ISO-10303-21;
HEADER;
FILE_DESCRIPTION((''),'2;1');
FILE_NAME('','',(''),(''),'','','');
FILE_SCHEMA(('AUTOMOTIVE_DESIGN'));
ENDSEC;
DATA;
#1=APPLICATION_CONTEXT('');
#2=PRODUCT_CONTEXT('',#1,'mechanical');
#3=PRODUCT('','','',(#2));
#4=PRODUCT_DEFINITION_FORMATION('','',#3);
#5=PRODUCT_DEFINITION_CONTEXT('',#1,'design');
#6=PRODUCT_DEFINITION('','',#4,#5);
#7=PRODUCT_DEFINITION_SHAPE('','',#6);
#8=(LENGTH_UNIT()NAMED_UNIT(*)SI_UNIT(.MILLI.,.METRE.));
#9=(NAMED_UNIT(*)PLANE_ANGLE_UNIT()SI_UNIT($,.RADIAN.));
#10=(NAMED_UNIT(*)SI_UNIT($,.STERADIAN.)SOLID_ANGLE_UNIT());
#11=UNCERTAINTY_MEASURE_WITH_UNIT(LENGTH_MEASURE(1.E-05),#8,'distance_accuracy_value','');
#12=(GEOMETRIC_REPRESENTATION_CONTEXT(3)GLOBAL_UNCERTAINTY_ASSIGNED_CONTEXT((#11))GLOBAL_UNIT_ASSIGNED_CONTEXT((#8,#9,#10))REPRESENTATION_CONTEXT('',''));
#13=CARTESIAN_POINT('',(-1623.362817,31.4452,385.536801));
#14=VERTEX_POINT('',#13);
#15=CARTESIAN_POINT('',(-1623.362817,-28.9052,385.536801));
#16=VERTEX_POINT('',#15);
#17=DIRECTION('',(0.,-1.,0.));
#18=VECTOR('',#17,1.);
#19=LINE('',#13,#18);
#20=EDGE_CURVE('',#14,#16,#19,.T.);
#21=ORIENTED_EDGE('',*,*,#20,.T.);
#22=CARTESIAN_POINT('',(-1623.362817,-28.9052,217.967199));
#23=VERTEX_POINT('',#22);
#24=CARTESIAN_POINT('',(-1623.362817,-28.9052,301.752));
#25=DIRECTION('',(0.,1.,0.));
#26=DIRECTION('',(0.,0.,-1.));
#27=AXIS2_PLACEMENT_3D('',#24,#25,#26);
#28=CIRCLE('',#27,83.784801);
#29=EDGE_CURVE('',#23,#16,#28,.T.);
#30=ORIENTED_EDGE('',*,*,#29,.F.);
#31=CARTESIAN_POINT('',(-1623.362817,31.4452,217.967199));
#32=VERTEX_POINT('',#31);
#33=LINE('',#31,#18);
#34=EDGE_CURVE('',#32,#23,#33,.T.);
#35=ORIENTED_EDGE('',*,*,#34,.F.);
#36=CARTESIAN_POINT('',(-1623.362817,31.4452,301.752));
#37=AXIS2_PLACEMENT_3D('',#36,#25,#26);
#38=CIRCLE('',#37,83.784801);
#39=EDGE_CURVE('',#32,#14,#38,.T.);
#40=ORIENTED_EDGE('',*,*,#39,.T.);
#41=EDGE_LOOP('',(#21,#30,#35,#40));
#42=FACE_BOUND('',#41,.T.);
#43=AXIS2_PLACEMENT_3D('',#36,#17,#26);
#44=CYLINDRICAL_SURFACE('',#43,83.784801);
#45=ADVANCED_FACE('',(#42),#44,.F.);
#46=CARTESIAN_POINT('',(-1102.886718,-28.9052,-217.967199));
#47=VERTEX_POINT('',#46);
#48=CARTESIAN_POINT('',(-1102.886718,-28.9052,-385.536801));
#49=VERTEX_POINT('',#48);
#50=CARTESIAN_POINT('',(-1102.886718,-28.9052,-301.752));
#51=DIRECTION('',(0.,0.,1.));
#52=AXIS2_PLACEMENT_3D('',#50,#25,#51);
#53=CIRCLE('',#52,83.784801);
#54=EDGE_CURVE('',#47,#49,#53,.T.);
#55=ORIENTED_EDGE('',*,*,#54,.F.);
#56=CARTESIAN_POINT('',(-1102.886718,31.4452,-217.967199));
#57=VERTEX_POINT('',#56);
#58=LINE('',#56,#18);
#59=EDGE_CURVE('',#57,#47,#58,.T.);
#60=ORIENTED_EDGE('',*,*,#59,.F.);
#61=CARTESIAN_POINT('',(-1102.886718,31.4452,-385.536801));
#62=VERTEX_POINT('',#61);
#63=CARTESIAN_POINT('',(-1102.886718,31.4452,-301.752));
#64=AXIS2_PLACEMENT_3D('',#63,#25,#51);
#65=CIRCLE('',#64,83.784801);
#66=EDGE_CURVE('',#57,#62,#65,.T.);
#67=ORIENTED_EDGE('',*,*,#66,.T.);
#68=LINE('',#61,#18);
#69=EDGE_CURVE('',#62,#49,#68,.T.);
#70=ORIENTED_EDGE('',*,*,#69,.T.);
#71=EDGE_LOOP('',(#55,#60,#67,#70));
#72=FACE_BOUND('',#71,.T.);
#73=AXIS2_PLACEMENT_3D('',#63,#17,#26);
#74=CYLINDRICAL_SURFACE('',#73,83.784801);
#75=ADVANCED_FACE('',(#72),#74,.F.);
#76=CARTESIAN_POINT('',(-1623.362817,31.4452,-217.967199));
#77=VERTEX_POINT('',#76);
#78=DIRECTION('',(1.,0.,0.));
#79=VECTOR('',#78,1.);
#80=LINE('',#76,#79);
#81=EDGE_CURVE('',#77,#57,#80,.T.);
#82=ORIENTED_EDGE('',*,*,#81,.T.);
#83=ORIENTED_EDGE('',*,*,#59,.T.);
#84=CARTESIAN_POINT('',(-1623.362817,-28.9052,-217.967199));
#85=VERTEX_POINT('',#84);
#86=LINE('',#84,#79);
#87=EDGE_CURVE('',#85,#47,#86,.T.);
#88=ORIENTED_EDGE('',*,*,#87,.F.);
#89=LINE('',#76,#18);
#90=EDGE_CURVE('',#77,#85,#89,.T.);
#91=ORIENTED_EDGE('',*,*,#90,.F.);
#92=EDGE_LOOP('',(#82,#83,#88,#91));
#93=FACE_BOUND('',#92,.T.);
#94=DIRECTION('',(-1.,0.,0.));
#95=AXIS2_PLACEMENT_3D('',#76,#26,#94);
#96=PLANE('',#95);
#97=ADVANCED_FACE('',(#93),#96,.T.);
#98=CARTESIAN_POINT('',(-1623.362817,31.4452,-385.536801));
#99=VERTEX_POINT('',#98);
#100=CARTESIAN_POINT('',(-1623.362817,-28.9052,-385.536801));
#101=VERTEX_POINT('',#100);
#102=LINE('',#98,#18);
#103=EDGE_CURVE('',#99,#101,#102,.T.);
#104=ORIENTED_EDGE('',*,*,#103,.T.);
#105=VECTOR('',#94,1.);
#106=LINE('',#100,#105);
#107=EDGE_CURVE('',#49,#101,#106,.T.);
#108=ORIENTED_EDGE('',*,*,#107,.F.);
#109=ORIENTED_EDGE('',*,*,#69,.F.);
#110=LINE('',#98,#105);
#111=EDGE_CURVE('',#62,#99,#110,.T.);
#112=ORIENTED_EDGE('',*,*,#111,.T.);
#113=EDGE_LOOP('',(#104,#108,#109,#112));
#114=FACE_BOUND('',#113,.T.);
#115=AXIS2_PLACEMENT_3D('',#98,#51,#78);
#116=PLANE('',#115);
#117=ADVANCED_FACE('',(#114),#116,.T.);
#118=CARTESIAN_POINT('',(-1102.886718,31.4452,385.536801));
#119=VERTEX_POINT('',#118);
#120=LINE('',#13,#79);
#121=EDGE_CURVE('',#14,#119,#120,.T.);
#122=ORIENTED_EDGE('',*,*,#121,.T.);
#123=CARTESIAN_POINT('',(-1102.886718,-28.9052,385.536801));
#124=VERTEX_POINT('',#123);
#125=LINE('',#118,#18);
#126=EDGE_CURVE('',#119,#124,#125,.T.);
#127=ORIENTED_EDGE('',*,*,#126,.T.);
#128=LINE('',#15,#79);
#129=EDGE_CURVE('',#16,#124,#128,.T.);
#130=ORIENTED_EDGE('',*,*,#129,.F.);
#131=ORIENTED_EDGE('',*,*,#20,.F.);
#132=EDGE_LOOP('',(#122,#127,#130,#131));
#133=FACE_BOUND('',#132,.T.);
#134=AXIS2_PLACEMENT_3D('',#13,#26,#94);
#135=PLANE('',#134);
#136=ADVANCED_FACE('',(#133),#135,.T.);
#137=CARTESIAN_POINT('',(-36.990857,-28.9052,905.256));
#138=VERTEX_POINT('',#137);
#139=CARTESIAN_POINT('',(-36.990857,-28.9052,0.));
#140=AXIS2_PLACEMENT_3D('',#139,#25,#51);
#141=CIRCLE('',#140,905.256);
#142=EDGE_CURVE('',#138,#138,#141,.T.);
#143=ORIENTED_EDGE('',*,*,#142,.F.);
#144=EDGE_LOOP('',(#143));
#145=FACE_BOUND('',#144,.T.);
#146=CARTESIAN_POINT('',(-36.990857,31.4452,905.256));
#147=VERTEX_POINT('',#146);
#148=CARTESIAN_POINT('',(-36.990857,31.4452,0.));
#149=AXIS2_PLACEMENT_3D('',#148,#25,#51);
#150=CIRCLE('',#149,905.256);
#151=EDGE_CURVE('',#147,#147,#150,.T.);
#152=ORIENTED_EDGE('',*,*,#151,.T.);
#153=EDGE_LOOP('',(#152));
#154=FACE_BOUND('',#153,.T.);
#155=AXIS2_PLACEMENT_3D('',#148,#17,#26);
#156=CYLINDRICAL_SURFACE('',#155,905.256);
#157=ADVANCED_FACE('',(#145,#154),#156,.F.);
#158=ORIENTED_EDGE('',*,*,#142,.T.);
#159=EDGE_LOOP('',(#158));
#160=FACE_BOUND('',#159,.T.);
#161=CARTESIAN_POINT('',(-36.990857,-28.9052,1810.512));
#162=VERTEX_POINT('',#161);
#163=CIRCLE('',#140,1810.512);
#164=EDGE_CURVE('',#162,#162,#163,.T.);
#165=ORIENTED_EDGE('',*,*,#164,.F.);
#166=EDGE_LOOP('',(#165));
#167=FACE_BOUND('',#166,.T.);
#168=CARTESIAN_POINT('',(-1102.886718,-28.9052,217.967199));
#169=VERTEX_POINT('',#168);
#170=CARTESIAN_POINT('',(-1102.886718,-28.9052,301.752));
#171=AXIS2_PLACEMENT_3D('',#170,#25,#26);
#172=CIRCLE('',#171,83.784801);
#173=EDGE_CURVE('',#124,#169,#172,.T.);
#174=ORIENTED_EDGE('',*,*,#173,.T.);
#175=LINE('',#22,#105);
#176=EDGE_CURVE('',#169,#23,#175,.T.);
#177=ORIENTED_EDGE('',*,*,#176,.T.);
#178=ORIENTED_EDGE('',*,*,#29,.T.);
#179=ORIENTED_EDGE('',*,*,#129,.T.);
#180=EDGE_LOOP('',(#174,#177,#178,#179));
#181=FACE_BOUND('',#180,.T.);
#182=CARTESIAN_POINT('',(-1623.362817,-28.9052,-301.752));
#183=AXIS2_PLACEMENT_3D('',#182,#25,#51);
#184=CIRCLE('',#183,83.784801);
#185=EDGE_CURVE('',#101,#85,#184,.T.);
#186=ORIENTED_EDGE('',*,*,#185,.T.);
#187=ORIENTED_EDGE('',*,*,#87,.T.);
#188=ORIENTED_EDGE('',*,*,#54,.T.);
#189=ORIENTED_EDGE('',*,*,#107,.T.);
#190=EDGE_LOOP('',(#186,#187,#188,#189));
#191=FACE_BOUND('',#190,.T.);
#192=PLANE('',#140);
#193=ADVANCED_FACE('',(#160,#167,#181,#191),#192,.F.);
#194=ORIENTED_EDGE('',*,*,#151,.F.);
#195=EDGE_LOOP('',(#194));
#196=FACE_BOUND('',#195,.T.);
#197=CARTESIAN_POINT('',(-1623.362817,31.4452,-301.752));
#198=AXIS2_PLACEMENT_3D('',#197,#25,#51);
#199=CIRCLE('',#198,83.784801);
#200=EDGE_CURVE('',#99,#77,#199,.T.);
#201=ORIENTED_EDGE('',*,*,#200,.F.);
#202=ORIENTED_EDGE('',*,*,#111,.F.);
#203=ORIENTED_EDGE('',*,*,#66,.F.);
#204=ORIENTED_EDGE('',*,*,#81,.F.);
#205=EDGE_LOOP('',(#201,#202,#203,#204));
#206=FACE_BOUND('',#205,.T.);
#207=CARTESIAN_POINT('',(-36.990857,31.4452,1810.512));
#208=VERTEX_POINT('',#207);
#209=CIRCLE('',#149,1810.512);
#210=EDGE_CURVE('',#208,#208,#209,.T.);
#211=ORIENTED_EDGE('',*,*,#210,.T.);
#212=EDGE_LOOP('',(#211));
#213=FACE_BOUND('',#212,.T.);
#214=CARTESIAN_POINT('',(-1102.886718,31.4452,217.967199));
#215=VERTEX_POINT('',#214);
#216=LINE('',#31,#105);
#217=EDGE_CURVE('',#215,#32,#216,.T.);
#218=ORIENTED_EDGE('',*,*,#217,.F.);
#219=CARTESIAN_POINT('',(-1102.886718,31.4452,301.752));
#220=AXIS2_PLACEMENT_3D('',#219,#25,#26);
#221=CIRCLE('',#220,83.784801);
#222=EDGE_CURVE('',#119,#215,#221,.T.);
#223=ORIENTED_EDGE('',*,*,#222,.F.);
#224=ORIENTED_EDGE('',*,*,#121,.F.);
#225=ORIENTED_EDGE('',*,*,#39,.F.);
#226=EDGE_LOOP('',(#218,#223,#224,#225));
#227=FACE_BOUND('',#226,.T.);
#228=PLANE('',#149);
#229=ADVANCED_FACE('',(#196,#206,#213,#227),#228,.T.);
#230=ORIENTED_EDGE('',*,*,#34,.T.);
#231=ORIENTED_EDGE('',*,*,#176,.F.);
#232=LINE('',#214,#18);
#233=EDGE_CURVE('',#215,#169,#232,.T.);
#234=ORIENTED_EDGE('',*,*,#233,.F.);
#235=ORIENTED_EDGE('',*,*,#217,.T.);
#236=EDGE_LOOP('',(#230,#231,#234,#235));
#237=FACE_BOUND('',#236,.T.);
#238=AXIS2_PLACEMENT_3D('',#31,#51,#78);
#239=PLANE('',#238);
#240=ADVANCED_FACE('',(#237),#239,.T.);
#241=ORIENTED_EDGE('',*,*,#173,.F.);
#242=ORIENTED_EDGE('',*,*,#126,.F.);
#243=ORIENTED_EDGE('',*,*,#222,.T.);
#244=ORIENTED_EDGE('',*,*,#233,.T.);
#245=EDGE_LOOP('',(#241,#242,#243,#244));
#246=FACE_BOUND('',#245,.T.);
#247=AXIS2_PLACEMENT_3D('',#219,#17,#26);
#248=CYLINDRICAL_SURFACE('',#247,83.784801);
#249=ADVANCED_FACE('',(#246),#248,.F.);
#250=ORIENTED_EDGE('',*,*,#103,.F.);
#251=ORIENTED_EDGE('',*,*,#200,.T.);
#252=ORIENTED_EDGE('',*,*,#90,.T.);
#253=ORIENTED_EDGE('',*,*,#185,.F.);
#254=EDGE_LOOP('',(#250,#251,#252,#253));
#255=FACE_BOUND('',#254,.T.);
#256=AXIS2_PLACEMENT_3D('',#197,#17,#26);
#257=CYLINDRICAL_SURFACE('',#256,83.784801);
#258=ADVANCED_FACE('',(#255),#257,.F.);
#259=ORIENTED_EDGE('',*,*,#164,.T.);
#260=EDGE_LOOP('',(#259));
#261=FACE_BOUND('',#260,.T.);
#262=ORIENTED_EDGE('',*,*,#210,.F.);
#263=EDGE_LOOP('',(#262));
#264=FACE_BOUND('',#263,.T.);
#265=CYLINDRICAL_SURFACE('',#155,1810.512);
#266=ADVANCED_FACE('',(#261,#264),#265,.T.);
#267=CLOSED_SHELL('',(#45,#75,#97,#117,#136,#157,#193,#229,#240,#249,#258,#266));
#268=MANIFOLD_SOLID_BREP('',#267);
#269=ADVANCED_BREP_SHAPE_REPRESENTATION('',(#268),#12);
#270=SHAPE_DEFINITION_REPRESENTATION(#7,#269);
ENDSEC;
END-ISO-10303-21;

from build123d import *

# Parameters (mm, degrees)
SKETCH1_R           = 76.2
SKETCH1_R_2         = 38.1
BOSS_EXTRUDE1_DEPTH = 2.54
SCALE1_SCALE        = 3
SCALE2_SCALE        = 3
SCALE3_SCALE        = 3
SCALE4_SCALE        = 0.88


with BuildPart() as part:
    # Sketch1 → Boss-Extrude1 (new body)
    with BuildSketch(Plane(origin=(0, 0, 0), x_dir=(1, 0, 0), z_dir=(0, 1, 0))):
        with Locations(Location((0, 0, 0), (0, 0, 270))):
            Circle(SKETCH1_R)
        with Locations(Location((0, 0, 0), (0, 0, 270))):
            Circle(SKETCH1_R_2, mode=Mode.SUBTRACT)
        with BuildLine():
            Line((-66.766496625, 16.226296333), (-44.86093692, 16.226296333))
            ThreePointArc((-44.86093692, 16.226296333), (-41.334640587, 12.7), (-44.86093692, 9.173703667))
            Line((-44.86093692, 9.173703667), (-66.766496625, 9.173703667))
            ThreePointArc((-66.766496625, 9.173703667), (-70.292792958, 12.7), (-66.766496625, 16.226296333))
        make_face(mode=Mode.SUBTRACT)
        with BuildLine():
            Line((-66.766496625, -16.226296333), (-44.86093692, -16.226296333))
            ThreePointArc((-44.86093692, -16.226296333), (-41.334640587, -12.7), (-44.86093692, -9.173703667))
            Line((-44.86093692, -9.173703667), (-66.766496625, -9.173703667))
            ThreePointArc((-66.766496625, -9.173703667), (-70.292792958, -12.7), (-66.766496625, -16.226296333))
        make_face(mode=Mode.SUBTRACT)
    extrude(amount=BOSS_EXTRUDE1_DEPTH)


with BuildPart() as part_1:
    # Scale1: scaled about (1.625257345, 1.27, 0)
    add(part.part.scale(SCALE1_SCALE).moved(Location((-3.25051469, -2.54, 0))))


with BuildPart() as part_2:
    # Scale2: scaled about (1.625257344, 1.27, 0)
    add(part_1.part.scale(SCALE2_SCALE).moved(Location((-3.250514688, -2.54, 0))))


with BuildPart() as part_3:
    # Scale3: scaled about (1.625257343, 1.27, 0)
    add(part_2.part.scale(SCALE3_SCALE).moved(Location((-3.250514686, -2.54, 0))))


with BuildPart() as part_4:
    # Scale4: scaled about (1.625257342, 1.27, 0)
    add(part_3.part.scale(SCALE4_SCALE).moved(Location((0.195030881, 0.1524, 0))))


solid = part_4.part
